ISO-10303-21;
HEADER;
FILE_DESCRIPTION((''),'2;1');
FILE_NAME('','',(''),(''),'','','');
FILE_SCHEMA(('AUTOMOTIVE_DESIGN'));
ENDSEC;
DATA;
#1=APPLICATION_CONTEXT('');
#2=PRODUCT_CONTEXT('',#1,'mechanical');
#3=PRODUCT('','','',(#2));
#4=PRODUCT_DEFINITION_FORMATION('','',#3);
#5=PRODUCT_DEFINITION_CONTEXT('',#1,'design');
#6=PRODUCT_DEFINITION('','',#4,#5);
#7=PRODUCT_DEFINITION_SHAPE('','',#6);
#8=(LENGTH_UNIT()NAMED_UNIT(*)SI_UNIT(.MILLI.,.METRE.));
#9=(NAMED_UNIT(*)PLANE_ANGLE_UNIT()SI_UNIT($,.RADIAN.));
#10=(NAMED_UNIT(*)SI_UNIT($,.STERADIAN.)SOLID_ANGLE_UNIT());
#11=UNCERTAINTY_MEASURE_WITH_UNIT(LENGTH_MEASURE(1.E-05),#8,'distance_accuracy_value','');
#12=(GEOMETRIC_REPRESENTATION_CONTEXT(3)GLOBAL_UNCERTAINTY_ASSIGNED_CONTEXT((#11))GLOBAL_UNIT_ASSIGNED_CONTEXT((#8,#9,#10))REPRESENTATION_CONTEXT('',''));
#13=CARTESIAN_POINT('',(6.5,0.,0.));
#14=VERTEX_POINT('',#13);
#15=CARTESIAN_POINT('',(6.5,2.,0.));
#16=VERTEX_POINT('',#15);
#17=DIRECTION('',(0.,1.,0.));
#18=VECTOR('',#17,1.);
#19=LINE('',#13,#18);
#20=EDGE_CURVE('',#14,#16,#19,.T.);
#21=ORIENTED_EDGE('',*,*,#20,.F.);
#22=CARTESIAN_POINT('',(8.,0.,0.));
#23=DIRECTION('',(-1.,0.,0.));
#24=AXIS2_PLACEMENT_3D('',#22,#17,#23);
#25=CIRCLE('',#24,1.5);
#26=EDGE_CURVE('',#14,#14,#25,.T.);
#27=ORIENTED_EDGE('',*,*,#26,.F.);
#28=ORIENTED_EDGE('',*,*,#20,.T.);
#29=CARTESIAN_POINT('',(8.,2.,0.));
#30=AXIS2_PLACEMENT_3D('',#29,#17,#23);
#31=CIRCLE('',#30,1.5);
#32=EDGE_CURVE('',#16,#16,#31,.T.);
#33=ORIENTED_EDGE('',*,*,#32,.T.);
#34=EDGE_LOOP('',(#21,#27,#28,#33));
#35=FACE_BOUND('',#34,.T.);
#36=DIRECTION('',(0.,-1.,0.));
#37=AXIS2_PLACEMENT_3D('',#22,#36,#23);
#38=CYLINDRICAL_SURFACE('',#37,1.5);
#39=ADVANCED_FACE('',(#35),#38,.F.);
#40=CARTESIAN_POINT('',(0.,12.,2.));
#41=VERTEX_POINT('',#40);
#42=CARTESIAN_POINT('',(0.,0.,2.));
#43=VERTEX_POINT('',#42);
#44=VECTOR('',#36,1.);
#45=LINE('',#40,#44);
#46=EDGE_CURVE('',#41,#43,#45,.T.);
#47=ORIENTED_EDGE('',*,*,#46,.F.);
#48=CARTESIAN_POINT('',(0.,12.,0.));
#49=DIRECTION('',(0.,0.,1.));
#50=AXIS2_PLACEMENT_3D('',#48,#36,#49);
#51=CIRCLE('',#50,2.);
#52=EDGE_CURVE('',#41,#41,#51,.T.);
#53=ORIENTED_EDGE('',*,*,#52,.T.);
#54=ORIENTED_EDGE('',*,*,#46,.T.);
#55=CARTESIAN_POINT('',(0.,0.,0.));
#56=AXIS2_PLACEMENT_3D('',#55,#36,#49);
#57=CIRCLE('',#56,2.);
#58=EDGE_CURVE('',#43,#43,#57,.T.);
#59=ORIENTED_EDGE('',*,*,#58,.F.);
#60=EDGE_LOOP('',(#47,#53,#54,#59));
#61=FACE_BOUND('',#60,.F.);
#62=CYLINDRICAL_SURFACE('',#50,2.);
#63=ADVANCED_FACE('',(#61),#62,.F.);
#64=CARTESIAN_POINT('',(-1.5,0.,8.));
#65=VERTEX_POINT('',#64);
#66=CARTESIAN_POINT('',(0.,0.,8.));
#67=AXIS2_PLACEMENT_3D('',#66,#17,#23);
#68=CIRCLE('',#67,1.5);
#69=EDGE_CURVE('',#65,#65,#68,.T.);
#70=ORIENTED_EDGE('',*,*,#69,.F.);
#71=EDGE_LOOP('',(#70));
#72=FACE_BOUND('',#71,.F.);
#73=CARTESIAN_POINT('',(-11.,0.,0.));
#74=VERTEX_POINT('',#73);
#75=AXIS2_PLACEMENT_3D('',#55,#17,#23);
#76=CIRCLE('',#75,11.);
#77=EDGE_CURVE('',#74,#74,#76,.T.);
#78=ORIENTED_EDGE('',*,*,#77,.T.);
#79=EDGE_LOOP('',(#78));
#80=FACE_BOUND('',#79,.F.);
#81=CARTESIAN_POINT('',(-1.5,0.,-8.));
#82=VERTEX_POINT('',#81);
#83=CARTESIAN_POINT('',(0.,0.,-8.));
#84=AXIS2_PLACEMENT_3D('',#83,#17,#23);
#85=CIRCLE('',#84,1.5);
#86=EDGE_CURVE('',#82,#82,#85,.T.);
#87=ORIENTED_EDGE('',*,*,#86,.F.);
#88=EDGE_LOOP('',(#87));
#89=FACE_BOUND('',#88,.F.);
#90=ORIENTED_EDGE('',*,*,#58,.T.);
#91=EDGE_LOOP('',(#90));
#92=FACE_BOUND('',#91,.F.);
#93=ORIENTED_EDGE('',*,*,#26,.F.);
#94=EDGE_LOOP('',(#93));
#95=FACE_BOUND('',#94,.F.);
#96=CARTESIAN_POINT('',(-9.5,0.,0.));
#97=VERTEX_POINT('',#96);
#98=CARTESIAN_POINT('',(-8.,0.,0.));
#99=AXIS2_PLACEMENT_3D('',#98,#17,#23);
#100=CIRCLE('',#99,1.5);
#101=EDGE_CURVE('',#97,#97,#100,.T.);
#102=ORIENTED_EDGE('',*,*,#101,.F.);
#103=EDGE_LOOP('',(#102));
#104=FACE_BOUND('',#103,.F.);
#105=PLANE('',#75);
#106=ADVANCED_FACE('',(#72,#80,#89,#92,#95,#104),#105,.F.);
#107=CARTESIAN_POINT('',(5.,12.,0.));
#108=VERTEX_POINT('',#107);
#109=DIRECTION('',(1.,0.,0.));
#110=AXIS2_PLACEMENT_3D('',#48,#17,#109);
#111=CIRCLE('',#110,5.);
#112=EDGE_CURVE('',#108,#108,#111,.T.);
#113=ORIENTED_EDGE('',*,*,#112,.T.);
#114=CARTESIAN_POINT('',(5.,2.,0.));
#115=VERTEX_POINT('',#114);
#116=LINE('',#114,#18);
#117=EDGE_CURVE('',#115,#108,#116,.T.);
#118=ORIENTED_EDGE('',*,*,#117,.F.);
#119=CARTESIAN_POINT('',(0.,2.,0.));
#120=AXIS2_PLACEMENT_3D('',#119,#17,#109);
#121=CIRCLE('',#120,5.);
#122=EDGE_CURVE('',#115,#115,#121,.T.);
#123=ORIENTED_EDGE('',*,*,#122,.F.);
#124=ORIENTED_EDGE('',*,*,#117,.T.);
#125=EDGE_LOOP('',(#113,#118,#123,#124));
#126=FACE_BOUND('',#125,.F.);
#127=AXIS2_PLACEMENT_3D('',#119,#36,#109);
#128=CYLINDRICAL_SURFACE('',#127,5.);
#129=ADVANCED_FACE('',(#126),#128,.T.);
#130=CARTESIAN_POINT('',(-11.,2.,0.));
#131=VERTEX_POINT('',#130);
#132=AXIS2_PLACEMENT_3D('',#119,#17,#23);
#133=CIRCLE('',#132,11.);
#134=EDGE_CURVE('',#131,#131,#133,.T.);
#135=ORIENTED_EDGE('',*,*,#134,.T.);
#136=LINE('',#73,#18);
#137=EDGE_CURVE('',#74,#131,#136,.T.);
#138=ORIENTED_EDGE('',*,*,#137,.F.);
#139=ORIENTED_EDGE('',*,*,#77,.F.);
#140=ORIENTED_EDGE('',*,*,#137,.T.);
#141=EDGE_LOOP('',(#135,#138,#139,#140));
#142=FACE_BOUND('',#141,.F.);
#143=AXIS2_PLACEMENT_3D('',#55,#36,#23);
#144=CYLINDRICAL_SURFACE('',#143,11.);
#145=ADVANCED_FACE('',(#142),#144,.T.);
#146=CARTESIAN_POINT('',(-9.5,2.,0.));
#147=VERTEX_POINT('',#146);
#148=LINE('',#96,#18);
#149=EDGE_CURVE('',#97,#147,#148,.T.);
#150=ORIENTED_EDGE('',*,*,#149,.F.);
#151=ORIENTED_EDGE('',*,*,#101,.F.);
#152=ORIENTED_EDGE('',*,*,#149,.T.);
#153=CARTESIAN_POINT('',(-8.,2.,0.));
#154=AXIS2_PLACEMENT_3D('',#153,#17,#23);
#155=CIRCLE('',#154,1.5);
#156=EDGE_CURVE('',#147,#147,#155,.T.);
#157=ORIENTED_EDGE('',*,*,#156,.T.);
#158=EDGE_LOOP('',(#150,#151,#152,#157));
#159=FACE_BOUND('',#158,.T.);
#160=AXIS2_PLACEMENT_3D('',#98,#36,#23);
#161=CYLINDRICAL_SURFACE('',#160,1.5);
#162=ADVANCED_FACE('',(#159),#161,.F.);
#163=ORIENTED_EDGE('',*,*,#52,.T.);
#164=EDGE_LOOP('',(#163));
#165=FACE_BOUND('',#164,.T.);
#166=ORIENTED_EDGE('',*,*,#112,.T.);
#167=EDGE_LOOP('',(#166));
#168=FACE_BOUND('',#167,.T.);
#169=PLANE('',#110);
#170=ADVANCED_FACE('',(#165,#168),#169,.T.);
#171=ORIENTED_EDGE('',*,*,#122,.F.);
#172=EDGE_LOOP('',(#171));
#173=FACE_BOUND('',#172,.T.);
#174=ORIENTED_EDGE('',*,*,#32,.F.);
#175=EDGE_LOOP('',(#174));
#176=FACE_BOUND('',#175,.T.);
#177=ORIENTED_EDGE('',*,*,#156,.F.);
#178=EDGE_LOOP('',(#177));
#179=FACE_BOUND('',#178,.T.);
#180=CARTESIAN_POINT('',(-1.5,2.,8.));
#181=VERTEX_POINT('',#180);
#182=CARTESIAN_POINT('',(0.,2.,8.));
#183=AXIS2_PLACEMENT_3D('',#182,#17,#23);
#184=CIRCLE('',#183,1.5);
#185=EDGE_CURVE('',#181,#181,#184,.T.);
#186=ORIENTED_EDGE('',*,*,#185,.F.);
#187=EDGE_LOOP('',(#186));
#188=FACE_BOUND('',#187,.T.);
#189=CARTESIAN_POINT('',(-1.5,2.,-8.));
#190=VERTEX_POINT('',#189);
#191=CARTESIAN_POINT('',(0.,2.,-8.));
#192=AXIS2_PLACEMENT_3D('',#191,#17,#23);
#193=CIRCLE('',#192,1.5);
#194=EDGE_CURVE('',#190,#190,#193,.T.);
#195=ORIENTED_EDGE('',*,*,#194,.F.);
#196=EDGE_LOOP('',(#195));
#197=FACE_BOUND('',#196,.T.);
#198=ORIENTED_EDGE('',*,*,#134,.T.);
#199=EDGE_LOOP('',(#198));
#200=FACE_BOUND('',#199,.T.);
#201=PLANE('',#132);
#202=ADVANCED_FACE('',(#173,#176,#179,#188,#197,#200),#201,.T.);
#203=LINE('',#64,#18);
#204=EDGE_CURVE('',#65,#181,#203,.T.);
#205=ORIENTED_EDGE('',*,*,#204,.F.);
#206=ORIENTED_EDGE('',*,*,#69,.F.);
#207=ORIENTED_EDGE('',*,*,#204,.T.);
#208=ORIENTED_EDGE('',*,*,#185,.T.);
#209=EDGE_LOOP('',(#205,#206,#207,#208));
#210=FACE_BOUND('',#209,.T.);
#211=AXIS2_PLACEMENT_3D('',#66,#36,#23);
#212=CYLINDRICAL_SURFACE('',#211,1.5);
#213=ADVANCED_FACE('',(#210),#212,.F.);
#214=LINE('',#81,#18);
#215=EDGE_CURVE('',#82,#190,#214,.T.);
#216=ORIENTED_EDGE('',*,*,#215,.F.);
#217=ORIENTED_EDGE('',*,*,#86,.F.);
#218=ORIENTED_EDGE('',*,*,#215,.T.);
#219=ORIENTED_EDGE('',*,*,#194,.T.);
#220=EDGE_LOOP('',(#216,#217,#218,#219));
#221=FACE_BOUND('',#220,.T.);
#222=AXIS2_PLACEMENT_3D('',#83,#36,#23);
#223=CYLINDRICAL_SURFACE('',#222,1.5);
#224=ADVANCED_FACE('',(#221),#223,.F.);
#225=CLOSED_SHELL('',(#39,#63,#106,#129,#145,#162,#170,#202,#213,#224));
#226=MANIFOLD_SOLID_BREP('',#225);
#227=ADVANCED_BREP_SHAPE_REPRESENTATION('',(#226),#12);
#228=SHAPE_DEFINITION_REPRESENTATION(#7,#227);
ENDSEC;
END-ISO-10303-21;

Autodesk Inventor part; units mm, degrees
ref_plane "YZ Plane" through (0, 0, 0) normal (1, 0, 0) x (0, 1, 0)
ref_plane "XZ Plane" through (0, 0, 0) normal (0, 1, 0) x (-1, 0, 0)
ref_plane "XY Plane" through (0, 0, 0) normal (0, 0, 1) x (1, 0, 0)
sketch "Sketch1" plane through (0, 0, 0) normal (0, 1, 0) x (-1, 0, 0)
  circle A0 centre (0, 0) radius 11
  circle A1 centre (0, -8) radius 1.5
  circle A2 centre (8, 0) radius 1.5
  circle A3 centre (0, 8) radius 1.5
  circle A4 centre (-8, 0) radius 1.5
  dimension "d0" = 22
  dimension "d15" = 3
  dimension "d18" = 360
extrude "Extrusion1" add sketch "Sketch1" along normal blind 2
sketch "Sketch2" plane through (0, 2, 0) normal (0, 1, 0) x (1, 0, 0)
  circle A0 centre (0, 0) radius 5
  dimension "d3" = 10
extrude "Extrusion2" add sketch "Sketch2" along normal blind 10
sketch "Sketch3" plane through (0, 12, 0) normal (0, 1, 0) x (1, 0, 0)
  circle A0 centre (0, 0) radius 2
  dimension "d6" = 4
hole "Hole1" at (0, 12, 0) direction (0, -1, 0) diameter 4 end through all
properties part number "brida" material "Aluminum"
